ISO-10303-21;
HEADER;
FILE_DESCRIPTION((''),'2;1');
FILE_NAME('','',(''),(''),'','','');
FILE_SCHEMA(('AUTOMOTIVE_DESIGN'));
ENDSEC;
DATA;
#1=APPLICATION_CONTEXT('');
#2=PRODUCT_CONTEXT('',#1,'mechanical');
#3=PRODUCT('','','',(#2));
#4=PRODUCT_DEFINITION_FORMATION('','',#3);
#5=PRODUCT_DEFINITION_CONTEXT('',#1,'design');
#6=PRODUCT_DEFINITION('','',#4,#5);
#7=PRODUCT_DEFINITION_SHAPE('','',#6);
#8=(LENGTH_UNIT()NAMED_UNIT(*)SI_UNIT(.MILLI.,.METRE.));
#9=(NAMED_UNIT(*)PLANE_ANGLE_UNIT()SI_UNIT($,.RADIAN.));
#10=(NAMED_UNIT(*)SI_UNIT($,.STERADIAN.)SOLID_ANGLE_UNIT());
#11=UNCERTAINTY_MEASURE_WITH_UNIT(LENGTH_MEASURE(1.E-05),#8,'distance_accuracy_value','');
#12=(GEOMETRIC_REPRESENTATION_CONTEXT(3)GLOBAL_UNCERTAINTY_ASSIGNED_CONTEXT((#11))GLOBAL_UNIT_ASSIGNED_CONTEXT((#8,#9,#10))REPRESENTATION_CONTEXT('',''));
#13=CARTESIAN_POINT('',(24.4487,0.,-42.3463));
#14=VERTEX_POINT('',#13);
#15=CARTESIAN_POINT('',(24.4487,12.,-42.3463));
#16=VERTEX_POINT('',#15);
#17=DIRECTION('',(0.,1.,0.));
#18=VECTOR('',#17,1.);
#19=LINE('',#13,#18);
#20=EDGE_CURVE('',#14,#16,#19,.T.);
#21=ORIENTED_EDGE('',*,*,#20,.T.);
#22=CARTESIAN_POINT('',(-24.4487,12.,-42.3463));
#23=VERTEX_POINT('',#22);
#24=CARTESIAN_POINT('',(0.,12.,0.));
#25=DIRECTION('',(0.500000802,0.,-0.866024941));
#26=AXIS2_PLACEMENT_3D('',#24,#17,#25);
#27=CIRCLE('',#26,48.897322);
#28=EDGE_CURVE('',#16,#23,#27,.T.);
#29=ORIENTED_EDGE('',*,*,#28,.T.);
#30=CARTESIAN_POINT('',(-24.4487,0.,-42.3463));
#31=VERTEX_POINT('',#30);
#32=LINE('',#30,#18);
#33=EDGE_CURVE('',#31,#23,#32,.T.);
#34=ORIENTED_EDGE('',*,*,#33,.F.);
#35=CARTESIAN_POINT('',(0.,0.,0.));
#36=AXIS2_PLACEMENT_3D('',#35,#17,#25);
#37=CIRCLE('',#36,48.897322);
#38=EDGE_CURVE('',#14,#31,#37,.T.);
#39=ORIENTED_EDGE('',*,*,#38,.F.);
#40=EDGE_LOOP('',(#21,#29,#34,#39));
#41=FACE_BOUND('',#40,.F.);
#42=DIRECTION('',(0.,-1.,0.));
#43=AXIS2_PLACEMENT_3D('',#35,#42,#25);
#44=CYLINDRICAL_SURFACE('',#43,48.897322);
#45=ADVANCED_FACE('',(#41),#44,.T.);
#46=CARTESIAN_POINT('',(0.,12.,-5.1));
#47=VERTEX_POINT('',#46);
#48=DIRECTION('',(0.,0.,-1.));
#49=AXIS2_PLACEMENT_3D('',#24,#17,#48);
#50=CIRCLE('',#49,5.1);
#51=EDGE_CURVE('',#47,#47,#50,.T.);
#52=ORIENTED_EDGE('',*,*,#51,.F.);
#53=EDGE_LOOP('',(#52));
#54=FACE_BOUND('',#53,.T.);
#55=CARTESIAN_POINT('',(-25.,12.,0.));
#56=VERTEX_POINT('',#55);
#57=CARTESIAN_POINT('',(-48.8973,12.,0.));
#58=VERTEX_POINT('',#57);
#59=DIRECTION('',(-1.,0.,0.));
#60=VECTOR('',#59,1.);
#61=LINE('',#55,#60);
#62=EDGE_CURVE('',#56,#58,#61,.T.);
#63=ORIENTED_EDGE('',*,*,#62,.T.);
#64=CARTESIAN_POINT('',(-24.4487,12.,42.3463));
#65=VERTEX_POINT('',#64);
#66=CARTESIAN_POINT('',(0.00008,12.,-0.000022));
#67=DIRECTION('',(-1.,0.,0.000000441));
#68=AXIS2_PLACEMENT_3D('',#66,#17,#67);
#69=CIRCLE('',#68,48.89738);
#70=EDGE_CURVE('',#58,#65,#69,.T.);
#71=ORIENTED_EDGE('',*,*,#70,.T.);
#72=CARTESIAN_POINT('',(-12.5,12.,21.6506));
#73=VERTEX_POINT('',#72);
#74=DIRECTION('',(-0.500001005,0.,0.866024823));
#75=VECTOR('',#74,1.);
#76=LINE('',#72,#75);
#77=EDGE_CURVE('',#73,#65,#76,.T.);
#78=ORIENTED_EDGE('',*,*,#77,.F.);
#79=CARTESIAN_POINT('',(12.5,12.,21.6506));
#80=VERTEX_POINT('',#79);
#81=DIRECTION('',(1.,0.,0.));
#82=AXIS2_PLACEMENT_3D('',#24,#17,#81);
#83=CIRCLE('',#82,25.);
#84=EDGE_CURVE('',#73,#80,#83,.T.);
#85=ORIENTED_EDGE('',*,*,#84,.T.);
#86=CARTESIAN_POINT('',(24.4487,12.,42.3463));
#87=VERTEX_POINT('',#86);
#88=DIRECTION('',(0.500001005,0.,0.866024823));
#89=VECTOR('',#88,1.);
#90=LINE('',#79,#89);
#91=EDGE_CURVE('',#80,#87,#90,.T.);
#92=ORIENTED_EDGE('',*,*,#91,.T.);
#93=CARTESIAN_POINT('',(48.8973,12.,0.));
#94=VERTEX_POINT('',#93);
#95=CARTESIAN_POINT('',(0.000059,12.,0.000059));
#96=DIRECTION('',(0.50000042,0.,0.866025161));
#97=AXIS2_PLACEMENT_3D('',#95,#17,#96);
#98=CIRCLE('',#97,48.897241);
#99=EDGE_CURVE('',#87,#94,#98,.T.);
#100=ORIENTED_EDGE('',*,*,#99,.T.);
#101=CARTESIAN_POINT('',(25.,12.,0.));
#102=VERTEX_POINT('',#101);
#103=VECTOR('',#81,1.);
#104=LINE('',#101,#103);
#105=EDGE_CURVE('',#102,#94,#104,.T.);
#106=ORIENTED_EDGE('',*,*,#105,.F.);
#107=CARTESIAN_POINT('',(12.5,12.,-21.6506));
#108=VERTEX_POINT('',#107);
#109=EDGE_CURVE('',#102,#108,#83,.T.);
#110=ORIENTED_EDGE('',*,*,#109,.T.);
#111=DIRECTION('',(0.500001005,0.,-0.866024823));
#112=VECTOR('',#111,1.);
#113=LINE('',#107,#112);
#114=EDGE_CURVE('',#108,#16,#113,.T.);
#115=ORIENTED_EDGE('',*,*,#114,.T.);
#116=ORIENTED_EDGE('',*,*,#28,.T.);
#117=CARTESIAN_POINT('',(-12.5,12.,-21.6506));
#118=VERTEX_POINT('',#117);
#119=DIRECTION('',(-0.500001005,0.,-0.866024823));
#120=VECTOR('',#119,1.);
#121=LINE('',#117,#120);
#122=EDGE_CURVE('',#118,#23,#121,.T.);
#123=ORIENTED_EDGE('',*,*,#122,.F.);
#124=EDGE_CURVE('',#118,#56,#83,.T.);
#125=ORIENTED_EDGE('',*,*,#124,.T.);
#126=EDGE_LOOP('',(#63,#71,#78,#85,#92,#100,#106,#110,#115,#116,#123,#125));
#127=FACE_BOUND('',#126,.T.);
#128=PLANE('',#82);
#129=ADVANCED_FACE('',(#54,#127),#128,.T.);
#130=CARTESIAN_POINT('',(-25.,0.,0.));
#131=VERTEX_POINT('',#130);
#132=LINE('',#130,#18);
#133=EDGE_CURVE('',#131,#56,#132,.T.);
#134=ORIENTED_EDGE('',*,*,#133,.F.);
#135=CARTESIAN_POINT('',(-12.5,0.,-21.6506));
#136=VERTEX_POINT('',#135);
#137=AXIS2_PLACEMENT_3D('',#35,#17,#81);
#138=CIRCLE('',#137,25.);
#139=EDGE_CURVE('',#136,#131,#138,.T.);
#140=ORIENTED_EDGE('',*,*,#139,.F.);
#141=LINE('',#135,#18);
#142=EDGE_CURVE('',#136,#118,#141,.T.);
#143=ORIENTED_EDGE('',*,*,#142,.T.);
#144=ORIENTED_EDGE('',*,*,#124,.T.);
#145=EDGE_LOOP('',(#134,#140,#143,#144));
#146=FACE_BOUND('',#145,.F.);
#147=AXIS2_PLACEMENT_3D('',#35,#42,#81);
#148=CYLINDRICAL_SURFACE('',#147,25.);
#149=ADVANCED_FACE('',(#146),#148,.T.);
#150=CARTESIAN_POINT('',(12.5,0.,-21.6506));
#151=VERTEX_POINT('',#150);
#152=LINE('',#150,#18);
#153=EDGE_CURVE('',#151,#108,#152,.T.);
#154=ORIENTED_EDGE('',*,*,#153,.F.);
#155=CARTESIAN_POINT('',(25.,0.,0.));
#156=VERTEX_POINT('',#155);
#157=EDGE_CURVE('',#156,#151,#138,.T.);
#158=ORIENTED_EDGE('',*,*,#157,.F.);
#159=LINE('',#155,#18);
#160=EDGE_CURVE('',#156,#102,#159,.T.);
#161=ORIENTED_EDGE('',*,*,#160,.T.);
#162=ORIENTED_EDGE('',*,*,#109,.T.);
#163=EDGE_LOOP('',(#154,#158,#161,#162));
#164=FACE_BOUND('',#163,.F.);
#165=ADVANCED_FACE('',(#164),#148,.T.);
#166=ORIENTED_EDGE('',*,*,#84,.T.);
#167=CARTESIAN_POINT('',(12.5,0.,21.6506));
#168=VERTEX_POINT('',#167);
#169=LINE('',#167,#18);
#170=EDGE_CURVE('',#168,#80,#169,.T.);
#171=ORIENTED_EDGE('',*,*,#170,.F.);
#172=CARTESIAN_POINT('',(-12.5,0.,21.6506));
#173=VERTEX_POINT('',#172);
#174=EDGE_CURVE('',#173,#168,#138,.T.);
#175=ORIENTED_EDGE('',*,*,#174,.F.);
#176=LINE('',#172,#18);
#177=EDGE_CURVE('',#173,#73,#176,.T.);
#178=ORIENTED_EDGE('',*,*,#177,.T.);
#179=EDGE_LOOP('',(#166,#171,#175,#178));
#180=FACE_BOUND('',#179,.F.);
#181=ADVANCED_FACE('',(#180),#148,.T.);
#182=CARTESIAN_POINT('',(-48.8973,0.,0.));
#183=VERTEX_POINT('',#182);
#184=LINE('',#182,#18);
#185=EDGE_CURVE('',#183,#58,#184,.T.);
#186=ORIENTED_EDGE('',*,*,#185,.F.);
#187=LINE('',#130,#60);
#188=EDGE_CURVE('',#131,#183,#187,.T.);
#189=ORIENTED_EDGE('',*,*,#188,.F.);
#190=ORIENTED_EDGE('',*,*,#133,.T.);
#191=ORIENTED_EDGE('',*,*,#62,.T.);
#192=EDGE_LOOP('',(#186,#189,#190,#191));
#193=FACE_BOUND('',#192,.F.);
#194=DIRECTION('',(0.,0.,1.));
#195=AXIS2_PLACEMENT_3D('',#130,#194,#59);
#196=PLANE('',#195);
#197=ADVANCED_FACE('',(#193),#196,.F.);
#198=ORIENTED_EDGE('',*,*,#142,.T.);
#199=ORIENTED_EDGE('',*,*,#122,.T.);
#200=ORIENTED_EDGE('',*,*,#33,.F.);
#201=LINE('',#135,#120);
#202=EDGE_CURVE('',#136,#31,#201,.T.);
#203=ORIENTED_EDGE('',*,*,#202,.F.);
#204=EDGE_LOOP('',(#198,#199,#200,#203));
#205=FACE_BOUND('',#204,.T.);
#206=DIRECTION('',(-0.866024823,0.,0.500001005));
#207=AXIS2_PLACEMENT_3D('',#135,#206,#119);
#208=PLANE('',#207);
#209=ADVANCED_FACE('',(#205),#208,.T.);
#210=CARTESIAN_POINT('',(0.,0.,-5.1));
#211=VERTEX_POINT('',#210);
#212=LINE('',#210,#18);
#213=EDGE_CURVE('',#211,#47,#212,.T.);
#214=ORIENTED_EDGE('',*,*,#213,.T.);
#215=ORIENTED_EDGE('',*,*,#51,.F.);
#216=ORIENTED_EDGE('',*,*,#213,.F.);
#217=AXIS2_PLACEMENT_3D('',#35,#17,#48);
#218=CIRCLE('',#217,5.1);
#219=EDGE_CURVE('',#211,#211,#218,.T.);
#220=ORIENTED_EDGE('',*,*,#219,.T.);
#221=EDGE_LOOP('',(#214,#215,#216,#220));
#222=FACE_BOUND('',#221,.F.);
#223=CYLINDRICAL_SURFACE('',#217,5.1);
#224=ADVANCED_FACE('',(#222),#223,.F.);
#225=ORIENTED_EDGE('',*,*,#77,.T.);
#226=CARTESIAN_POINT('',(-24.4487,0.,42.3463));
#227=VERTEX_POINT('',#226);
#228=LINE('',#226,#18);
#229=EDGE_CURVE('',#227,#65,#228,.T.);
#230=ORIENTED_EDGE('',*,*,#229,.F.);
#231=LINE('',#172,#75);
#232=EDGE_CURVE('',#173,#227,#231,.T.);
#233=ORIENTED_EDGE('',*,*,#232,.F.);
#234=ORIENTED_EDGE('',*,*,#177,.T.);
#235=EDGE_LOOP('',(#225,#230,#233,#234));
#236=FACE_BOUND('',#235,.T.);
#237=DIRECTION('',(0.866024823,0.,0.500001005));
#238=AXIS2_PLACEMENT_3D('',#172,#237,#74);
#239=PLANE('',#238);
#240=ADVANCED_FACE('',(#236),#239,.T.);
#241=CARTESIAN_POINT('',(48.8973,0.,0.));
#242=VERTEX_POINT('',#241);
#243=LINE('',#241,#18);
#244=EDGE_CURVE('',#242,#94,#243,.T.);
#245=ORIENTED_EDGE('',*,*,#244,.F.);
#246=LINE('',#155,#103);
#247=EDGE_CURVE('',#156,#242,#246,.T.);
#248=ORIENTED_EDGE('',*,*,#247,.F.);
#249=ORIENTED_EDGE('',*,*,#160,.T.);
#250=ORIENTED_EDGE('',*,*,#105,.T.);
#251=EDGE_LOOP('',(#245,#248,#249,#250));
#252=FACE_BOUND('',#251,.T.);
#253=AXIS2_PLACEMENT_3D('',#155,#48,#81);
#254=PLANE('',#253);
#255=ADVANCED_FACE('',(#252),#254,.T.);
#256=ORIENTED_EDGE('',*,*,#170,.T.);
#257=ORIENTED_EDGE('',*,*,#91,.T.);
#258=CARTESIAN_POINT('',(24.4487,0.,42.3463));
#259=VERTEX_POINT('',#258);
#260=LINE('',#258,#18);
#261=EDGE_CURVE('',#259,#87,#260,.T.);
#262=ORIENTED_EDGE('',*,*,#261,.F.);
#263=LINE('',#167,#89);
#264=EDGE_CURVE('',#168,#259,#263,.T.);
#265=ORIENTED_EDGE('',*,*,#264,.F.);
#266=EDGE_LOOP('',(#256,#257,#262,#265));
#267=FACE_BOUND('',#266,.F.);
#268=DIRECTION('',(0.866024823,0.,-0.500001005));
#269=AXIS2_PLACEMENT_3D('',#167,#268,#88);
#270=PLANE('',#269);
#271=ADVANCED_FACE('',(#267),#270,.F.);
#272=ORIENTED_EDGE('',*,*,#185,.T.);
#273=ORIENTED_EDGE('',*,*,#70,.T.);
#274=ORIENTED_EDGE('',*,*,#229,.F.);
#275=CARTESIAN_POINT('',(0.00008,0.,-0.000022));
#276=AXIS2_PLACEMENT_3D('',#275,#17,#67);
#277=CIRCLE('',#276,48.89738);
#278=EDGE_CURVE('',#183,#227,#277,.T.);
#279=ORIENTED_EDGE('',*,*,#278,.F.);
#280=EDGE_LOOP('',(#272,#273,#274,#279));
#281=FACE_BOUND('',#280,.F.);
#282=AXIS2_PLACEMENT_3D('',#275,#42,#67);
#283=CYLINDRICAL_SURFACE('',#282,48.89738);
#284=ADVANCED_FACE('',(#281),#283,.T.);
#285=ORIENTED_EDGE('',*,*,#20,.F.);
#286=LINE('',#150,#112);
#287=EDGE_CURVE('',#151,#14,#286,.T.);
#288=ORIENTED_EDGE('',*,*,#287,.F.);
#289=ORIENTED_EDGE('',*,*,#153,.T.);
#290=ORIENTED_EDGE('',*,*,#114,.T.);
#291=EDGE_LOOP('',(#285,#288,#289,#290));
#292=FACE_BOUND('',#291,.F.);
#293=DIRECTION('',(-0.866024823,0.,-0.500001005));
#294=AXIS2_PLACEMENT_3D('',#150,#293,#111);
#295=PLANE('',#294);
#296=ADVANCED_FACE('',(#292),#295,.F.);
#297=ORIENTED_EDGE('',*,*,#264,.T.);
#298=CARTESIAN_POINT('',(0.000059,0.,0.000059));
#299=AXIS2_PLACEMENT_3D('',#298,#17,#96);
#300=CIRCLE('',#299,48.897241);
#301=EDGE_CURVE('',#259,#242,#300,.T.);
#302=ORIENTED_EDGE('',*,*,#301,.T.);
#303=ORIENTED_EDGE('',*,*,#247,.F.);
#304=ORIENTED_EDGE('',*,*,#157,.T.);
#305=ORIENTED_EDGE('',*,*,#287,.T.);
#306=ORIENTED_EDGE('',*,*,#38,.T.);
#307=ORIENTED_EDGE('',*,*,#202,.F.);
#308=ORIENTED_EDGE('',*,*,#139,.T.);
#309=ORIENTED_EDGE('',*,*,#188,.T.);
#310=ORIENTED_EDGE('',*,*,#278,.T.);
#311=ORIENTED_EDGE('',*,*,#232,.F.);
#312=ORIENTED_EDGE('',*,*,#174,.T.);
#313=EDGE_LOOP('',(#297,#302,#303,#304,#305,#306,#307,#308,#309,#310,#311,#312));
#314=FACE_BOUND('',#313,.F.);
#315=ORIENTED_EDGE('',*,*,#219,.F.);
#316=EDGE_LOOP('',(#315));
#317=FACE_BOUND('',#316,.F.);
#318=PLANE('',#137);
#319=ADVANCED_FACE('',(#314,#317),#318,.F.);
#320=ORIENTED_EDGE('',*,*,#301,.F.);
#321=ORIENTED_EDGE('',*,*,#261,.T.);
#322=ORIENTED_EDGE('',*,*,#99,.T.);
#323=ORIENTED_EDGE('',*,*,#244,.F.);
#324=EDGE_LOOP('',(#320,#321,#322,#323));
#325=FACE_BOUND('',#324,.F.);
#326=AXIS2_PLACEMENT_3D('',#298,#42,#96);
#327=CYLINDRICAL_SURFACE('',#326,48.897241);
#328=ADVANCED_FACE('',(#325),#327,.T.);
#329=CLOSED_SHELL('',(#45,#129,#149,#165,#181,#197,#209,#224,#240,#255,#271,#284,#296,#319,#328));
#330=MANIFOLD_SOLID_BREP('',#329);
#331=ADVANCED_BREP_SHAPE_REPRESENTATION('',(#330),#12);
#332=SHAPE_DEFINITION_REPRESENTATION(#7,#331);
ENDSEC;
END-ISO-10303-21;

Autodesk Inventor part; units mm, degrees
ref_plane "YZ Plane" through (0, 0, 0) normal (1, 0, 0) x (0, 1, 0)
ref_plane "XZ Plane" through (0, 0, 0) normal (0, 1, 0) x (-1, 0, 0)
ref_plane "XY Plane" through (0, 0, 0) normal (0, 0, 1) x (1, 0, 0)
sketch "Sketch1" plane through (0, 0, 0) normal (0, 1, 0) x (1, 0, 0)
  circle A0 centre (0, 0) radius 25
  arc A1 (24.4487, 42.3463) -> (-24.4487, 42.3463) centre (0, 0) ccw
  line L0 (12.5, 21.6506) -> (24.4487, 42.3463)
  line L1 (-12.5, 21.6506) -> (-24.4487, 42.3463)
  line L2 (0, 0) -> (0, 84.0286) construction
  line L3 (-12.5, -21.6506) -> (-24.4487, -42.3463)
  arc A2 (-48.8973, 0) -> (-24.4487, -42.3463) centre (0, 0) ccw
  line L4 (-25, 0) -> (-48.8973, 0)
  line L5 (25, 0) -> (48.8973, 0)
  arc A3 (24.4487, -42.3463) -> (48.8973, 0) centre (0, 0) ccw
  line L6 (12.5, -21.6506) -> (24.4487, -42.3463)
  point P0 (25, 0)
  dimension "d0" = 50
  dimension "d1" = 60
  dimension "d2" = 30
  dimension "d5" = 360
extrude "Extrusion1" add sketch "Sketch1" along normal blind 12
sketch "Sketch4" plane through (0, 0, 0) normal (0, -1, 0) x (1, 0, 0)
  circle A0 centre (0, 0) radius 7.9289 projected
  point P0 (0, 0)
hole "Hole2" at (0, 0, 0) direction (0, 1, 0) diameter 10.2 depth 12
properties part number "rotor"
